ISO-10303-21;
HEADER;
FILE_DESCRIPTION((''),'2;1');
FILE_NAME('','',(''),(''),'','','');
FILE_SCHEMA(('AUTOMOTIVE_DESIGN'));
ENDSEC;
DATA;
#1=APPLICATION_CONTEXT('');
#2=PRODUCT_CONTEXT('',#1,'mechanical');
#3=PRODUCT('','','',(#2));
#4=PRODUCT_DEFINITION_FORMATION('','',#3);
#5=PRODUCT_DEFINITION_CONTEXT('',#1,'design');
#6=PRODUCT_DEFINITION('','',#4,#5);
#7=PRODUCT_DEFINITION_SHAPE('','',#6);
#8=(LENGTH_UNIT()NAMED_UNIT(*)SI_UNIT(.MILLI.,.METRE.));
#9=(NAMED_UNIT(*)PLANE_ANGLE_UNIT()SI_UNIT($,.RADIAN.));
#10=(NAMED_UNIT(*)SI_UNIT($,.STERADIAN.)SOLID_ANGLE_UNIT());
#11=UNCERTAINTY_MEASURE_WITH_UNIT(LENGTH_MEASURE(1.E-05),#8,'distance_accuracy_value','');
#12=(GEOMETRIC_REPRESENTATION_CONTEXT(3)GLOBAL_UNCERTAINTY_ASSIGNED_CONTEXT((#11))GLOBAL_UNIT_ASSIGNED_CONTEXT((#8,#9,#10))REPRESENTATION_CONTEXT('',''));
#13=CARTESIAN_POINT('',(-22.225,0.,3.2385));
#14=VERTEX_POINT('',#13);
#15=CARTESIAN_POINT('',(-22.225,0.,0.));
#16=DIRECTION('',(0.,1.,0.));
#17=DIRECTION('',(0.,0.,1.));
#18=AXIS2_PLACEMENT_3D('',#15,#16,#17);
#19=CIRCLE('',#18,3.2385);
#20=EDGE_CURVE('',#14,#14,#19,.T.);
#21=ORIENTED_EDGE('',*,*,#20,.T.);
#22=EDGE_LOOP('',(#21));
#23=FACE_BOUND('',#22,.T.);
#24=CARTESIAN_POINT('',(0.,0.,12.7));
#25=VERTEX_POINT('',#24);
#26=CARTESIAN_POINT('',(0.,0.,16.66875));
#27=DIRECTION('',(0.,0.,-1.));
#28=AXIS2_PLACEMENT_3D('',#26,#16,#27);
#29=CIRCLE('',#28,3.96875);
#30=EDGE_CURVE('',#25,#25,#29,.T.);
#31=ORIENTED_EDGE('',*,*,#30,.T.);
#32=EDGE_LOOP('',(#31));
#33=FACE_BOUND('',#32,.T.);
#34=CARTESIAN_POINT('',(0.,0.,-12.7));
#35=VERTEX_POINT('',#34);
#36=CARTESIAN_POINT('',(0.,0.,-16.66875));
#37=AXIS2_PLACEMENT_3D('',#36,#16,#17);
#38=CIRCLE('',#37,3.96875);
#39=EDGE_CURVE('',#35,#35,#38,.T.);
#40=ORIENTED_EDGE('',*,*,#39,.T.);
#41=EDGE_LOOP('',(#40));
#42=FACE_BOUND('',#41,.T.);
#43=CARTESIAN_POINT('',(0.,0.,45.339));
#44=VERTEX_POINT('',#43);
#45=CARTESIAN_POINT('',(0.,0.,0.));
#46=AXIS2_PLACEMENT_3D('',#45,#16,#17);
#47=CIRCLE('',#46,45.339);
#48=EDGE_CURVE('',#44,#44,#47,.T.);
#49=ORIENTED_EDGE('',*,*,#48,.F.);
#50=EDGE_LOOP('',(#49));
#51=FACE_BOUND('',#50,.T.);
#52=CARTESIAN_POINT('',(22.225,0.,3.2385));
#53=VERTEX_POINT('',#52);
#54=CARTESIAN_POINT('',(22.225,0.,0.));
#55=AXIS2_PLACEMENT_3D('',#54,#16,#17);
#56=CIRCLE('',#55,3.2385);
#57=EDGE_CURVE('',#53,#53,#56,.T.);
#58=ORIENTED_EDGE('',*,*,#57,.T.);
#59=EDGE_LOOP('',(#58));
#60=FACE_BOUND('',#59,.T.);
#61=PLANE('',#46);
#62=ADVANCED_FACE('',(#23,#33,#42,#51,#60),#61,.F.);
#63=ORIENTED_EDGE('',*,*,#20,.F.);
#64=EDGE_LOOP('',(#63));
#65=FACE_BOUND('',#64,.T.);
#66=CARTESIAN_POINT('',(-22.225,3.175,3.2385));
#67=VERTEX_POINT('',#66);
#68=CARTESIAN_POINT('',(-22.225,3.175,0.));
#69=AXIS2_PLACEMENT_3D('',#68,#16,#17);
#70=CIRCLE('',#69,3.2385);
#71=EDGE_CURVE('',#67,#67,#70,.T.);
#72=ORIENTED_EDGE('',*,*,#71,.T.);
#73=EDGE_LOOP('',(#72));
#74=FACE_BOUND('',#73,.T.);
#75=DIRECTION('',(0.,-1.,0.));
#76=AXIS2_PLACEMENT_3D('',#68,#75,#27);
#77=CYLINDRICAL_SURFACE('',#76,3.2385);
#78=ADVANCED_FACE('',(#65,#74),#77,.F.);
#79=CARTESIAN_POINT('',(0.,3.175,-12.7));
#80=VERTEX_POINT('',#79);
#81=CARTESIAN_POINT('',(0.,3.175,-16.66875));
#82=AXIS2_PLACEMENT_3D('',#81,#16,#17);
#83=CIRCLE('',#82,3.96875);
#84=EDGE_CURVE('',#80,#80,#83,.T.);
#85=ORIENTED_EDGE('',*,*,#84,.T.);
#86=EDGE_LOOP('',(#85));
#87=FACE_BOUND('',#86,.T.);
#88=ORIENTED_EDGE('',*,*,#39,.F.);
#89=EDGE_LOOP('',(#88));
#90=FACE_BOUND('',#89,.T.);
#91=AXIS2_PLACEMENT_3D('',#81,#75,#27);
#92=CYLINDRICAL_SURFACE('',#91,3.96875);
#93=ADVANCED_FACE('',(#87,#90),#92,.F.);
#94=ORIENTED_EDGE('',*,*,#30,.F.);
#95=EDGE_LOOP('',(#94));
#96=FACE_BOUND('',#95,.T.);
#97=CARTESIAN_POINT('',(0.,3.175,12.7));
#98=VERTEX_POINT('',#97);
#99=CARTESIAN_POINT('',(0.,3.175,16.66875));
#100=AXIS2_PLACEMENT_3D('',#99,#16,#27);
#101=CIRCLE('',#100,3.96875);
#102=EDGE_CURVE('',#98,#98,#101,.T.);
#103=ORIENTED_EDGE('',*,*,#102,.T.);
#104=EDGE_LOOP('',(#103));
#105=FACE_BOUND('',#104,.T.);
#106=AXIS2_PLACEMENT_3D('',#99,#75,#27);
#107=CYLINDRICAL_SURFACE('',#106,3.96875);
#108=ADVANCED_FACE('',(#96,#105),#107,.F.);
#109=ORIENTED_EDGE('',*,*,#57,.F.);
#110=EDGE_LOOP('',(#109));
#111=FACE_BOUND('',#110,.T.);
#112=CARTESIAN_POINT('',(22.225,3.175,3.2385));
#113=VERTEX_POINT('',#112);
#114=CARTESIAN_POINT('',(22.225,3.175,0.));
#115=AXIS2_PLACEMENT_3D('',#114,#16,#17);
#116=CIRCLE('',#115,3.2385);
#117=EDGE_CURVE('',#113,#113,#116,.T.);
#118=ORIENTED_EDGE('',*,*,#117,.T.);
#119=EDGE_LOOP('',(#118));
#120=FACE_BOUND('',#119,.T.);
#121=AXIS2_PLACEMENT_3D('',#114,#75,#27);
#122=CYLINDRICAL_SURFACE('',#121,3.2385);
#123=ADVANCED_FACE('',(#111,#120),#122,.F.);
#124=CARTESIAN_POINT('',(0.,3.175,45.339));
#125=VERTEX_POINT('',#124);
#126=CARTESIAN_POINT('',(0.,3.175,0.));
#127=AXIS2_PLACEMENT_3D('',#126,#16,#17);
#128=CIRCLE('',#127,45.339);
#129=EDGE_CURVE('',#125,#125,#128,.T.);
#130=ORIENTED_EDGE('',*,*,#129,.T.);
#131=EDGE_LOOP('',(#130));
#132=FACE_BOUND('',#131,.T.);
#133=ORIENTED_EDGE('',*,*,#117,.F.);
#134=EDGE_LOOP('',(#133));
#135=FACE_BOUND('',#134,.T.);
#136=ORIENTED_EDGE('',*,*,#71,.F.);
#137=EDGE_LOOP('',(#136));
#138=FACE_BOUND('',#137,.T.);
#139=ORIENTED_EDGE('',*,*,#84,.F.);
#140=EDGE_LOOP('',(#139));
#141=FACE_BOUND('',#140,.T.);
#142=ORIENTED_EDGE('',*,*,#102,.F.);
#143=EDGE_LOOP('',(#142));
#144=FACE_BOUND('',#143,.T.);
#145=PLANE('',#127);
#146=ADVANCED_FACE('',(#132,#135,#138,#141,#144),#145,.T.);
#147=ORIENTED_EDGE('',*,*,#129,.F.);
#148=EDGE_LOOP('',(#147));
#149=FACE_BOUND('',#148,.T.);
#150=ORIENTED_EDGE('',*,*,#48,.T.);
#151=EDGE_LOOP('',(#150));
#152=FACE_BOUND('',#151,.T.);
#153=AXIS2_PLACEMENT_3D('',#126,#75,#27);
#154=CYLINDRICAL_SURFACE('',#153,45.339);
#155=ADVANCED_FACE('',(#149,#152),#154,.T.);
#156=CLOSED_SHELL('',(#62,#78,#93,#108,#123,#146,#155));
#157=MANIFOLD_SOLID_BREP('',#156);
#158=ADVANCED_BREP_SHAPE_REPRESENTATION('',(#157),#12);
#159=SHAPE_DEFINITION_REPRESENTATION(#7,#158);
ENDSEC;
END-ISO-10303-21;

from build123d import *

# Parameters (mm, degrees)
SKETCH1_R           = 45.339
SKETCH1_R_2         = 3.2385
SKETCH1_R_3         = 3.96875
BOSS_EXTRUDE1_DEPTH = 3.175


with BuildPart() as part:
    # Sketch1 → Boss-Extrude1 (new body)
    with BuildSketch(Plane(origin=(0, 0, 0), x_dir=(1, 0, 0), z_dir=(0, 1, 0))):
        Circle(SKETCH1_R)
        with Locations((22.225, 0)):
            Circle(SKETCH1_R_2, mode=Mode.SUBTRACT)
        with Locations((-22.225, 0)):
            Circle(SKETCH1_R_2, mode=Mode.SUBTRACT)
        with Locations((0, 16.66875)):
            Circle(SKETCH1_R_3, mode=Mode.SUBTRACT)
        with Locations((0, -16.66875)):
            Circle(SKETCH1_R_3, mode=Mode.SUBTRACT)
    extrude(amount=BOSS_EXTRUDE1_DEPTH)


solid = part.part
